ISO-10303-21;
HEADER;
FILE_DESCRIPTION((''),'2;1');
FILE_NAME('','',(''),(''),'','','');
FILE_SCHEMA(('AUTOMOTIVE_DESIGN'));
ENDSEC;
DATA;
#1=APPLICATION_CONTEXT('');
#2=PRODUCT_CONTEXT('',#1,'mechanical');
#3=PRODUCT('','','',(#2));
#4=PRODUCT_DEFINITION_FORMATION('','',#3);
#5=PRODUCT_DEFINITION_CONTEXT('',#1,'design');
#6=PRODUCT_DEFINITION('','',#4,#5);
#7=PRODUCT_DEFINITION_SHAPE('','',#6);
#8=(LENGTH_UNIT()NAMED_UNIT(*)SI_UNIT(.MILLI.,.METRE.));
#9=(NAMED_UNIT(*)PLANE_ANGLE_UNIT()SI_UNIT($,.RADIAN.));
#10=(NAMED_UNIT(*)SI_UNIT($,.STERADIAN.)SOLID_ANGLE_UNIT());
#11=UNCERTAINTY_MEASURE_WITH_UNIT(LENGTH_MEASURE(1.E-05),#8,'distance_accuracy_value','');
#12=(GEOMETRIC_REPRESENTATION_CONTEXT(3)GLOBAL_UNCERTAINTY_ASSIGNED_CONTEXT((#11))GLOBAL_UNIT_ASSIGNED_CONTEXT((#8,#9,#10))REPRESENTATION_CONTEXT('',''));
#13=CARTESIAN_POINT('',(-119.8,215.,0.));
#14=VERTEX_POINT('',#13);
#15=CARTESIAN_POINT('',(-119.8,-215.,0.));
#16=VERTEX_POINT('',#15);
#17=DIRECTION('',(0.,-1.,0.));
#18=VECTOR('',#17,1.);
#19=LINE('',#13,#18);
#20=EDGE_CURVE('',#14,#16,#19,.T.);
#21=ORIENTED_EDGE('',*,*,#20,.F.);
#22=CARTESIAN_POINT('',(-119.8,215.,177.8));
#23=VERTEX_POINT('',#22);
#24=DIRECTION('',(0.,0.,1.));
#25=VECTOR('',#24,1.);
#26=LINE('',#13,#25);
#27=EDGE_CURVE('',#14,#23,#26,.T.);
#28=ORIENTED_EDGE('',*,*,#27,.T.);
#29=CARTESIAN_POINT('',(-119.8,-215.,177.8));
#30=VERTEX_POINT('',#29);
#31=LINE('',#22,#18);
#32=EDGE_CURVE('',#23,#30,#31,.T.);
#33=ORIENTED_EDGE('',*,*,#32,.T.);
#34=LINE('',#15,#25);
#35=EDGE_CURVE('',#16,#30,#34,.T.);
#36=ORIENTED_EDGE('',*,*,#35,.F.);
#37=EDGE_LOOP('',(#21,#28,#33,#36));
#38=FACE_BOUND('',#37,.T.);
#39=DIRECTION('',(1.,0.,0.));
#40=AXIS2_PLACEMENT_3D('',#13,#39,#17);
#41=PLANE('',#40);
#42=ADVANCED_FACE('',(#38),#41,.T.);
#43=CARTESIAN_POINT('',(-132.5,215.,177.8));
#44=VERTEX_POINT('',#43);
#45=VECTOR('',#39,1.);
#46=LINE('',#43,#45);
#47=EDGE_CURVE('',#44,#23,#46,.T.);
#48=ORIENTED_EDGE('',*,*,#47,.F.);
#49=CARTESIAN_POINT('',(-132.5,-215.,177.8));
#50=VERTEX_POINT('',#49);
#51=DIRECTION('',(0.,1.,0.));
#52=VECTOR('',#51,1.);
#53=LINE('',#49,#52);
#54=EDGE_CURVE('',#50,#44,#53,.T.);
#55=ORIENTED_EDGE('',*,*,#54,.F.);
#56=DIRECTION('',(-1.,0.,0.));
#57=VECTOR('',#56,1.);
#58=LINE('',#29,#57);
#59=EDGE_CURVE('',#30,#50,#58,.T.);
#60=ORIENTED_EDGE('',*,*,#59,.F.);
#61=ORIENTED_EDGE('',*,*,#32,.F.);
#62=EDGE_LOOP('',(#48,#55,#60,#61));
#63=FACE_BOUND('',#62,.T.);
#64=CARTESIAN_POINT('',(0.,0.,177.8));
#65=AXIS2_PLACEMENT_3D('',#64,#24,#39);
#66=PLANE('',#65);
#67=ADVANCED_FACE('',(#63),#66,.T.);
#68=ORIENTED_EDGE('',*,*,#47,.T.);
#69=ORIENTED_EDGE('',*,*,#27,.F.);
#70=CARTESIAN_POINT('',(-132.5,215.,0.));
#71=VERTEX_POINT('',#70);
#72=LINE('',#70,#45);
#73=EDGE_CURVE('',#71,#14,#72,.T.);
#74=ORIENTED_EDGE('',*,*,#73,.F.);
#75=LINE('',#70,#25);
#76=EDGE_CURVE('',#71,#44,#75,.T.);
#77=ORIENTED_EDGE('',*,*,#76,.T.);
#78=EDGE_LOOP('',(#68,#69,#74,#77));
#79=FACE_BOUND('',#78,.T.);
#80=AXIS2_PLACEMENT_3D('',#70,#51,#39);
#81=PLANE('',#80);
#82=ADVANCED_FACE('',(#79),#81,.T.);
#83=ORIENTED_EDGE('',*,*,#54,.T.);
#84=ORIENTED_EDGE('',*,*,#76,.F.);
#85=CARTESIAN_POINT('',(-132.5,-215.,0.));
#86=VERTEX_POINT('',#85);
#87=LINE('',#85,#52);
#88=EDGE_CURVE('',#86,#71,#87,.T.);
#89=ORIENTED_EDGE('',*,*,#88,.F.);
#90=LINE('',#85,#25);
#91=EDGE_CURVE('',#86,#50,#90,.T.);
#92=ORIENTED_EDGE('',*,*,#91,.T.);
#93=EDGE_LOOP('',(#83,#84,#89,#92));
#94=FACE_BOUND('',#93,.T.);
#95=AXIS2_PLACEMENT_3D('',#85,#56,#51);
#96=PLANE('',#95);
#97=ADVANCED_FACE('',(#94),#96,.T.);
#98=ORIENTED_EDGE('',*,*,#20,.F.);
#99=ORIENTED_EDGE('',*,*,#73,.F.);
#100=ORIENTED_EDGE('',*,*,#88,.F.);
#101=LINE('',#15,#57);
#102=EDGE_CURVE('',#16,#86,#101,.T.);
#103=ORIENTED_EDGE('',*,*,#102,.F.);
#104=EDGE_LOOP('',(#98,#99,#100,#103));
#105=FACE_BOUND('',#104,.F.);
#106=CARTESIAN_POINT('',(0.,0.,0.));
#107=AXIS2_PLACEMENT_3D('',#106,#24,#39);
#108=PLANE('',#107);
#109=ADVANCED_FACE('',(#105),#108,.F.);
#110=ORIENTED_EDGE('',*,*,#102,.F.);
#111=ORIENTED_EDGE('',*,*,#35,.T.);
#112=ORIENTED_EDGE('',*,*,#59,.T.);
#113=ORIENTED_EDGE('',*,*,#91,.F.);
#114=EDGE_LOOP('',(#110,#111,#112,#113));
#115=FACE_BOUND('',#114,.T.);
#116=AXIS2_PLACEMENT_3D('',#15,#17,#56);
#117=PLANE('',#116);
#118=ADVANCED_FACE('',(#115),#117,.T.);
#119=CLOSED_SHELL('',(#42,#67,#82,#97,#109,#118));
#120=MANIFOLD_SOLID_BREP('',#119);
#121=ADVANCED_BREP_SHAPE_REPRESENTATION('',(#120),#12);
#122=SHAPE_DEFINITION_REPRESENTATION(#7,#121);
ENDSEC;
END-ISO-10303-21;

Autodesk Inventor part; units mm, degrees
ref_plane "YZ Plane" through (0, 0, 0) normal (1, 0, 0) x (0, 1, 0)
ref_plane "XZ Plane" through (0, 0, 0) normal (0, 1, 0) x (-1, 0, 0)
ref_plane "XY Plane" through (0, 0, 0) normal (0, 0, 1) x (1, 0, 0)
sketch "Sketch1" plane through (0, 0, 0) normal (0, 0, 1) x (1, 0, 0)
  line L0 (-132.5, 215) -> (-119.8, 215)
  line L1 (-119.8, 215) -> (-119.8, -215)
  line L2 (-119.8, -215) -> (-132.5, -215)
  line L3 (-132.5, -215) -> (-132.5, 215)
  point P0 (0, 0)
extrude "Extrusion1" add sketch "Sketch1" along normal blind 177.8
